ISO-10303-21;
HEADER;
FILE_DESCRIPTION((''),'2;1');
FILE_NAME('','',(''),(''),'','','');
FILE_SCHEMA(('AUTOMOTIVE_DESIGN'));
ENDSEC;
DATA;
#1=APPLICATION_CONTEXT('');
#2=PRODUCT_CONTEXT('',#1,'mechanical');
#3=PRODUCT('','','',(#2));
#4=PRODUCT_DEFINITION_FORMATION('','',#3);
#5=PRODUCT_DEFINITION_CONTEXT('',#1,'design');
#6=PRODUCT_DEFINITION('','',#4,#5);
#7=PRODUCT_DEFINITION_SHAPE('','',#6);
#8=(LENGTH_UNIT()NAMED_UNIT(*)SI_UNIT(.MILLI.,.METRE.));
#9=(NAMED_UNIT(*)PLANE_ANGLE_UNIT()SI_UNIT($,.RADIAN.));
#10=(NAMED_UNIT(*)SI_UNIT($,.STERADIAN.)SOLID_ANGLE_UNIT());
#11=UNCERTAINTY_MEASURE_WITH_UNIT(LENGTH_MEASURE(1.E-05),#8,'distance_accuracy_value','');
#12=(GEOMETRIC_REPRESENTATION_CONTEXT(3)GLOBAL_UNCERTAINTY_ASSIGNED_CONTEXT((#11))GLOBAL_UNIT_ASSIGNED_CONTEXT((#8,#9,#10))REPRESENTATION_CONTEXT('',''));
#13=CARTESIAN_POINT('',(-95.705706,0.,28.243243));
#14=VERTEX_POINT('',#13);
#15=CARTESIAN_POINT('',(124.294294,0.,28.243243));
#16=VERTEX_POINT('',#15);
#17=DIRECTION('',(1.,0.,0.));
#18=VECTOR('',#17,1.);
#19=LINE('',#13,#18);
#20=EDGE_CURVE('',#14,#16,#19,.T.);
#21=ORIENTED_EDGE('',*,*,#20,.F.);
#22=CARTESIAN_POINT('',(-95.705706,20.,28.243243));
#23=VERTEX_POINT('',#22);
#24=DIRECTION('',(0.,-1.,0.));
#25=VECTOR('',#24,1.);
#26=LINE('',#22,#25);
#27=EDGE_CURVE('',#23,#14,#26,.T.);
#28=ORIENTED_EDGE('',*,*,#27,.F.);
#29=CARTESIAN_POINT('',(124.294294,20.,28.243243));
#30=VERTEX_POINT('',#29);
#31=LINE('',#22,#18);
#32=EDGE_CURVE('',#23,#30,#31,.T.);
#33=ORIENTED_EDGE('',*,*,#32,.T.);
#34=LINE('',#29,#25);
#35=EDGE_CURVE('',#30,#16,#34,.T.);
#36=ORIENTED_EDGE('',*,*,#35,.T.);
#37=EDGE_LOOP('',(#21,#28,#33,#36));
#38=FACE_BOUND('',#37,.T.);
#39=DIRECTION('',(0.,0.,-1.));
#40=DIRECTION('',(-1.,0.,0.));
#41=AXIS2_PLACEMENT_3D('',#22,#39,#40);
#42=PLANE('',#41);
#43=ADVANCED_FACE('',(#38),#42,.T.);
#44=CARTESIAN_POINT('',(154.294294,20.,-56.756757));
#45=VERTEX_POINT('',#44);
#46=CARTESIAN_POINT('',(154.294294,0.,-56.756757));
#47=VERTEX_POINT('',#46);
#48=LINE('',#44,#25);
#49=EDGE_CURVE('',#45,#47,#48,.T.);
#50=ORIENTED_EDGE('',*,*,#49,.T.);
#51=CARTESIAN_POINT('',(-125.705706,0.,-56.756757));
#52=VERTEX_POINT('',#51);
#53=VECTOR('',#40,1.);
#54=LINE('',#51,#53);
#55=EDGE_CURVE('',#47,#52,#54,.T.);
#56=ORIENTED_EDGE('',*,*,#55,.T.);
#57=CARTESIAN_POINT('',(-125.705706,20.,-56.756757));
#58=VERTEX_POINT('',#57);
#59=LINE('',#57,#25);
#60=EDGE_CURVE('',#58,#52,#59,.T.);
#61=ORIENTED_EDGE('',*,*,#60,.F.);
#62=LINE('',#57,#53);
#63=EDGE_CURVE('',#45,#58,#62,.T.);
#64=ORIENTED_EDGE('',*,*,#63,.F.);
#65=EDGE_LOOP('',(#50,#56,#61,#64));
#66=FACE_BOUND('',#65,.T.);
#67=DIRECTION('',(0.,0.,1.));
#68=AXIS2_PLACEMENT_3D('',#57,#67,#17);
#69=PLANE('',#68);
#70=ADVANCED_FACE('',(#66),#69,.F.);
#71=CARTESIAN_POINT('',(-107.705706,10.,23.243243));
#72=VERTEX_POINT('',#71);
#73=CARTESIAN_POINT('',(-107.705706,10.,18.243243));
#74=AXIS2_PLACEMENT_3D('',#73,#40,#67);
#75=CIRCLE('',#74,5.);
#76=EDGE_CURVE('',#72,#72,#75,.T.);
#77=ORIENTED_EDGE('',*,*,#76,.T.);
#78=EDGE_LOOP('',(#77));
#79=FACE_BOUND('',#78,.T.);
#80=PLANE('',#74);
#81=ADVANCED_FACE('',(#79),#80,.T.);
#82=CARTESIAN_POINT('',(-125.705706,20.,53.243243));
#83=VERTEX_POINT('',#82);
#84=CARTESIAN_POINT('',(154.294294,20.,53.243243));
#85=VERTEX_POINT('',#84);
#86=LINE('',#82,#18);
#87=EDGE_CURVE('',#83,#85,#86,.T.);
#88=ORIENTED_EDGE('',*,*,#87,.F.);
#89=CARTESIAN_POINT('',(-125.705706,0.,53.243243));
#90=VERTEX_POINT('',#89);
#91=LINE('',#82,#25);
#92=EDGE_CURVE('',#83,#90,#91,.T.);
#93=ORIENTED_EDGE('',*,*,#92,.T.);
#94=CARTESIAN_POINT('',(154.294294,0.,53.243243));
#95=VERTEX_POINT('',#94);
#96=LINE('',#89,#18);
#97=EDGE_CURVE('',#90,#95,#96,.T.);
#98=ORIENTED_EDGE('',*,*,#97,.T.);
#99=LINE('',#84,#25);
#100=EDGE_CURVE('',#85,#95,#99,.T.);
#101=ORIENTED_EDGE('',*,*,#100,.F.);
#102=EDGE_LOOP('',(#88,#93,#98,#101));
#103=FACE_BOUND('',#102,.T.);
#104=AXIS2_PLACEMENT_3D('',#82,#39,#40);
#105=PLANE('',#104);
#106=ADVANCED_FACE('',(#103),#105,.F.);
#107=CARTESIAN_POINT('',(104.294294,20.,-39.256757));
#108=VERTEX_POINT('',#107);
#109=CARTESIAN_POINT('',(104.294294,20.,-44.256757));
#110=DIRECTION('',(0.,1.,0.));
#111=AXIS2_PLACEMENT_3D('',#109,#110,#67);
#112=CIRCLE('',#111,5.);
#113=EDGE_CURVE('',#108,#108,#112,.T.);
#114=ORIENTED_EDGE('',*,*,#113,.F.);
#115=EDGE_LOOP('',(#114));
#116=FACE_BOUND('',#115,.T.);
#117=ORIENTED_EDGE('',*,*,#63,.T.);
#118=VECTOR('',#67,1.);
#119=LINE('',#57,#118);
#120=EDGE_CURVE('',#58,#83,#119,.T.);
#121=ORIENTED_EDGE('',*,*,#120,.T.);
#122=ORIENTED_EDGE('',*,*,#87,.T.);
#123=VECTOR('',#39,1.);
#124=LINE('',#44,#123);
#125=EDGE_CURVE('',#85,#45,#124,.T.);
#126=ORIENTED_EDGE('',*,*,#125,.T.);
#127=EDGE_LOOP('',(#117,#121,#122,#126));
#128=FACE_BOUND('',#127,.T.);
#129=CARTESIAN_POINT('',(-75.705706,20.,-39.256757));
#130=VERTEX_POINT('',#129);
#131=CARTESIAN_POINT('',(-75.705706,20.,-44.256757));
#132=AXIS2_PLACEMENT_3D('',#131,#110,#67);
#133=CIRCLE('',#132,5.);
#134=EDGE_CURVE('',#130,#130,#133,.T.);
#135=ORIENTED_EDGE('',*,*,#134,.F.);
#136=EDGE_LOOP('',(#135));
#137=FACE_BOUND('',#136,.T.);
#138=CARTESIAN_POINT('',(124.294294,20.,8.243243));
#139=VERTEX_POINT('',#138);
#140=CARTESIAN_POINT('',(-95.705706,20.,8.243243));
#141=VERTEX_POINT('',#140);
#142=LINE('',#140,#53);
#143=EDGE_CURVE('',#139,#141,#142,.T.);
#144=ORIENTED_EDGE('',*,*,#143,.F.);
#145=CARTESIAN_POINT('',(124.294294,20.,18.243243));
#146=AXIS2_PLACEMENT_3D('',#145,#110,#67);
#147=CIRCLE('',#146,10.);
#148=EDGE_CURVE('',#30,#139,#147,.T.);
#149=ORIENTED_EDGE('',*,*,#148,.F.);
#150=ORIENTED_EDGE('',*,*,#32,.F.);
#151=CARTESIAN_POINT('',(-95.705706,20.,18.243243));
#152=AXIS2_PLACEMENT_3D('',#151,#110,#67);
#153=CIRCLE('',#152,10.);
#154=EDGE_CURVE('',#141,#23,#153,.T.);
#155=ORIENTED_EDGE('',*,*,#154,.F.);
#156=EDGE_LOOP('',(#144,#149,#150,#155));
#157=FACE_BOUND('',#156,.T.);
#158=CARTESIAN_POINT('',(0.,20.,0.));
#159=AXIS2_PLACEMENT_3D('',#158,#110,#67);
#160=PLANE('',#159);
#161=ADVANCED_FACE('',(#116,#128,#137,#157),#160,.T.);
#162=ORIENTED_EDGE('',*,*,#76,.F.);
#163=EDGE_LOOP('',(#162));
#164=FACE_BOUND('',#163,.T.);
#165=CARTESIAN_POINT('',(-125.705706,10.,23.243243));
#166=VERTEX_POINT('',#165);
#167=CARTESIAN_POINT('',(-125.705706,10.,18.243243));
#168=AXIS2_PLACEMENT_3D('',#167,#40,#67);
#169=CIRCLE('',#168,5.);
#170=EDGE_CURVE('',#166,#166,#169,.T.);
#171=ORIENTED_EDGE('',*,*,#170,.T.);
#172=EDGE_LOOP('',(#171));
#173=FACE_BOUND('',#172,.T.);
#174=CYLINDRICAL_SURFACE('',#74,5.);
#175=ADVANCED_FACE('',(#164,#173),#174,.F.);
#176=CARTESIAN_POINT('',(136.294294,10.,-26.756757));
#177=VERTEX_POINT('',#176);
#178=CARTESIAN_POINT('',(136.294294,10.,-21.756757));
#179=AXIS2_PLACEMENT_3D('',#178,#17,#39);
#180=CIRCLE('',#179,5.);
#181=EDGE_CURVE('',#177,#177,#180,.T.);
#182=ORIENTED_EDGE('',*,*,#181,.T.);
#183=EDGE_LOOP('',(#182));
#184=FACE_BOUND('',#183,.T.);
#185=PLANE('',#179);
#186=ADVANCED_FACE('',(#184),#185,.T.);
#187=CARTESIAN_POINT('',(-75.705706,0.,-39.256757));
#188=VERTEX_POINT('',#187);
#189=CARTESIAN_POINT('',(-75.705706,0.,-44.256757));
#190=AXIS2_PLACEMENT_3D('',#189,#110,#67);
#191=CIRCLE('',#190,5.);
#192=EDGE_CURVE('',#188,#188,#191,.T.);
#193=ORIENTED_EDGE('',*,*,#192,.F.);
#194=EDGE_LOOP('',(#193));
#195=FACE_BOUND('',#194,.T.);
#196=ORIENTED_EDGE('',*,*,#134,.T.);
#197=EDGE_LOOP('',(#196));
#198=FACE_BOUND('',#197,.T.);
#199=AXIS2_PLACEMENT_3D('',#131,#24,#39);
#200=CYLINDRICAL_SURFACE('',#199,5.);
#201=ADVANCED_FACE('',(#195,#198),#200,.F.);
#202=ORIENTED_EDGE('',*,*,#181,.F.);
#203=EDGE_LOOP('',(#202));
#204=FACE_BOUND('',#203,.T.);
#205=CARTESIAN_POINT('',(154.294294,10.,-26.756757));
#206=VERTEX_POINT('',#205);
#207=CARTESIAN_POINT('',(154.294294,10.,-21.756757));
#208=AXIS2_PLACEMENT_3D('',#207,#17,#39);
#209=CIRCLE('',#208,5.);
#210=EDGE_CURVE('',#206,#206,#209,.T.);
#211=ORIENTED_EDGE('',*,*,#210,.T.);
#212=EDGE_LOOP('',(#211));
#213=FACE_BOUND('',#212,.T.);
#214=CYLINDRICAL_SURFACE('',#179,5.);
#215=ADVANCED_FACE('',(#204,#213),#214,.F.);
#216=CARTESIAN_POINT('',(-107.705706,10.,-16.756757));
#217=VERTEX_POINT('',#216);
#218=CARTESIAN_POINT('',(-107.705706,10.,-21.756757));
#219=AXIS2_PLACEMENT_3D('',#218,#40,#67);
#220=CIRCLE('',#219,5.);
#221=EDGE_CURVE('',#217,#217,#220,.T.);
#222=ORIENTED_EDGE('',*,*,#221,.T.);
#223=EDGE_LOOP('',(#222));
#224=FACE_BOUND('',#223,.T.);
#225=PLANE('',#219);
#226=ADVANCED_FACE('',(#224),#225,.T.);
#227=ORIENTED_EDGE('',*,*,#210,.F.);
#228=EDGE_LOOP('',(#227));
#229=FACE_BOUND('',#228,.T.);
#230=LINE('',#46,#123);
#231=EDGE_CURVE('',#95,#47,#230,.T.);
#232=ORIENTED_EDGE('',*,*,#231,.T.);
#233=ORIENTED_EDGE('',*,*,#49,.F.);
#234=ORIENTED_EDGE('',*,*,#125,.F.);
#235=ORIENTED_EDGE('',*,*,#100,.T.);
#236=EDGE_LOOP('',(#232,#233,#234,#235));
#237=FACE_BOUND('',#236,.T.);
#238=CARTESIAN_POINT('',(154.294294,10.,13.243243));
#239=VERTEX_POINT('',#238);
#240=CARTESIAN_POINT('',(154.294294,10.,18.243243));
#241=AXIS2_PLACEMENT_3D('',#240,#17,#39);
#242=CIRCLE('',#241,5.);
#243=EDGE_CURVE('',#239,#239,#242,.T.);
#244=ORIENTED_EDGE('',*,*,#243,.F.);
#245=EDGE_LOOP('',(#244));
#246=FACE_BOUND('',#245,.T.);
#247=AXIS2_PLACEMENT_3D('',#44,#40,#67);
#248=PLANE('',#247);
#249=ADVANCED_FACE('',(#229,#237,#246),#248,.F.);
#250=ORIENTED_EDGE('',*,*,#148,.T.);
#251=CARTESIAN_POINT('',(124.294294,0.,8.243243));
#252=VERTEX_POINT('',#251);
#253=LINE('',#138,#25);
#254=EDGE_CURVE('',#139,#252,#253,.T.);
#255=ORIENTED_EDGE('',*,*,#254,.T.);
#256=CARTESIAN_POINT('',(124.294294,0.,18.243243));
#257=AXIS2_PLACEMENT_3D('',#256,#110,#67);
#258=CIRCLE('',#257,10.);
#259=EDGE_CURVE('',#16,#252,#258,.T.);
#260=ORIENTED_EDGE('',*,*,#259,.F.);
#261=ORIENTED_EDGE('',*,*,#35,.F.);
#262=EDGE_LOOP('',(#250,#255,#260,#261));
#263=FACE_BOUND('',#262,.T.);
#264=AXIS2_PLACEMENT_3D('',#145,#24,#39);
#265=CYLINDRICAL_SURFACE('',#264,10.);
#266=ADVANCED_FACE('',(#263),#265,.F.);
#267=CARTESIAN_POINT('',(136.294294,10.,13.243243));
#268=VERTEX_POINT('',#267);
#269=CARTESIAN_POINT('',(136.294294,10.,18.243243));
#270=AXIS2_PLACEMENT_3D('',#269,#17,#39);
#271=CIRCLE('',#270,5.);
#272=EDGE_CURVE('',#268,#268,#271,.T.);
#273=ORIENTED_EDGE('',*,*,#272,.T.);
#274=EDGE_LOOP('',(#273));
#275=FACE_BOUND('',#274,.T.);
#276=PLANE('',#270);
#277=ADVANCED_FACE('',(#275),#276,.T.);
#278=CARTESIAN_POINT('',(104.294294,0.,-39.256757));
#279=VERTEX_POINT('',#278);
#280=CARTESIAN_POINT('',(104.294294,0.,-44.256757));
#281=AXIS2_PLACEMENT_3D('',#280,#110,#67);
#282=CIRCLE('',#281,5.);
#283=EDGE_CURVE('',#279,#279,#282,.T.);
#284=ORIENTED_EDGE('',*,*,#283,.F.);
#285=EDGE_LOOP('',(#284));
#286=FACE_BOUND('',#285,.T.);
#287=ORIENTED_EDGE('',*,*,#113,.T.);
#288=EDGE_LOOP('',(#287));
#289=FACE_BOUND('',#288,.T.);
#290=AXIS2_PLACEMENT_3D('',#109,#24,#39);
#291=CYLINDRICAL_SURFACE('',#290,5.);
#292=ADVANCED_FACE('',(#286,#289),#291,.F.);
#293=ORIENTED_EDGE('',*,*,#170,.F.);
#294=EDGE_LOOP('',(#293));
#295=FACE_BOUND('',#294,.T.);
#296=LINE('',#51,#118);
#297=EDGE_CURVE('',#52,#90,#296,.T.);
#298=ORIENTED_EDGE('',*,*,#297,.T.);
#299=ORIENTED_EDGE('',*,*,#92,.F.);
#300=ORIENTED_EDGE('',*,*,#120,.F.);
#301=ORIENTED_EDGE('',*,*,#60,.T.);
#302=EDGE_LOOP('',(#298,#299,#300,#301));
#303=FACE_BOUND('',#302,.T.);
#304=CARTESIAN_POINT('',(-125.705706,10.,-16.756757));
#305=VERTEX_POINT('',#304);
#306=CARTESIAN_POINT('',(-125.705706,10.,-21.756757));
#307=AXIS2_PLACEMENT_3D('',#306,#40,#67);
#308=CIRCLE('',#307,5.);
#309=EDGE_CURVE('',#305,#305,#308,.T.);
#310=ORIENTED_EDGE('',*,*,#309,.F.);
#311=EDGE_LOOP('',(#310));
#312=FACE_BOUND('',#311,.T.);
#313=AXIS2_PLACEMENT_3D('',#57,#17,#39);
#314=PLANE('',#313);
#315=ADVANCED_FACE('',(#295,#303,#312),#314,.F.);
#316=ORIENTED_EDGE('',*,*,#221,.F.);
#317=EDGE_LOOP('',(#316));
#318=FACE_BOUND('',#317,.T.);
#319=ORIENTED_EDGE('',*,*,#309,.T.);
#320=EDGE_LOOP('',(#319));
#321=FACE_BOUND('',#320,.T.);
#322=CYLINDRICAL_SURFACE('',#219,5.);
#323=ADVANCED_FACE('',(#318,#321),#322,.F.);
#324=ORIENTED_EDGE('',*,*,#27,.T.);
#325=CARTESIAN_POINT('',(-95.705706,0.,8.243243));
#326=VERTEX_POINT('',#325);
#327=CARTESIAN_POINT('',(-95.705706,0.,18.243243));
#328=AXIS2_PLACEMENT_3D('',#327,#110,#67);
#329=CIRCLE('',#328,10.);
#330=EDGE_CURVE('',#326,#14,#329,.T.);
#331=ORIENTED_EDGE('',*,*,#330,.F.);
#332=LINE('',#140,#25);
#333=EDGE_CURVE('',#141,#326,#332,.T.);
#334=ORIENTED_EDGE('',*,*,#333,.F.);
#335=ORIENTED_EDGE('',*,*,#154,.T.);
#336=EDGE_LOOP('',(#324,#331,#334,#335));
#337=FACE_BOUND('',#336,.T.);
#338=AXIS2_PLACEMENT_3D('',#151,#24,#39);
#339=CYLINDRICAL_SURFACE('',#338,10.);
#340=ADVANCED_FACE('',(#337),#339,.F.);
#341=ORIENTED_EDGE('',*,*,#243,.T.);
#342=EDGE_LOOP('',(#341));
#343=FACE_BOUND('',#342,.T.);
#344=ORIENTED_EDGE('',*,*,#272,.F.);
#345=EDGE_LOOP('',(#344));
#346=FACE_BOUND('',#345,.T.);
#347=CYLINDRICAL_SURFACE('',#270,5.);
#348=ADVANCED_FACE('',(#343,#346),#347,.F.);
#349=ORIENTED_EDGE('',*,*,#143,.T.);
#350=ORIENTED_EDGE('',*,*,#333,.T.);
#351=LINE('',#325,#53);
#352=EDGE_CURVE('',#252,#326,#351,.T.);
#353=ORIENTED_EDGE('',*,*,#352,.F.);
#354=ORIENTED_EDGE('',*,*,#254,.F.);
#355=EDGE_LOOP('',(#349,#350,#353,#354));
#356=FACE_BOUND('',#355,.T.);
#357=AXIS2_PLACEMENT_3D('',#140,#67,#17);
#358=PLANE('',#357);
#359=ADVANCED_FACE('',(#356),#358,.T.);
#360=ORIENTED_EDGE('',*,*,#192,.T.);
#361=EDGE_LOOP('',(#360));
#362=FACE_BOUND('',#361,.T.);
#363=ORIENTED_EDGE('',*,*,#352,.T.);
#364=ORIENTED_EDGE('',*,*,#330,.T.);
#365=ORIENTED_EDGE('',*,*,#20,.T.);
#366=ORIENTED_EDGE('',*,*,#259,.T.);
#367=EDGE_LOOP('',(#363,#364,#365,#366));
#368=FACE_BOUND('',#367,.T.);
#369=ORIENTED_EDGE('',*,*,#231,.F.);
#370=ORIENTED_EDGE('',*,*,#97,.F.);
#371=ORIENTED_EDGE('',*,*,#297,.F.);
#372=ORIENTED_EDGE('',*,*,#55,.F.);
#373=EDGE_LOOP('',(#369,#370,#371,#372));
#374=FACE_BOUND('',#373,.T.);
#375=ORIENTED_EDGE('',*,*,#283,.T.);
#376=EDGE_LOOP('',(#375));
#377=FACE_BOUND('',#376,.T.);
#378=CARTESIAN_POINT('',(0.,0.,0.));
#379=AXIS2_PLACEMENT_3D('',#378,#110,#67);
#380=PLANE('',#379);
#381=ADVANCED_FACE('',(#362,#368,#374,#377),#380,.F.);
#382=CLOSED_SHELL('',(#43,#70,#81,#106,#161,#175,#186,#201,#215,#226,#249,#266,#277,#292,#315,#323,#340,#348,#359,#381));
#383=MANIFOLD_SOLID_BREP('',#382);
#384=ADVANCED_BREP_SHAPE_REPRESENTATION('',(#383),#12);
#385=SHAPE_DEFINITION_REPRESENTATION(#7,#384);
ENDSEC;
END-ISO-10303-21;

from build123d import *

# Parameters (mm, degrees)
CROQUIS1_W              = 280
CROQUIS1_H              = 110
SALIENTE_EXTRUIR1_DEPTH = 20
CORTAR_EXTRUIR2_DEPTH   = 20
CROQUIS4_R              = 5
CORTAR_EXTRUIR4_DEPTH   = 20
CROQUIS5_R              = 5
CORTAR_EXTRUIR5_DEPTH   = 18
CROQUIS6_R              = 5
CORTAR_EXTRUIR6_DEPTH   = 18


with BuildPart() as part:
    # Croquis1 → Saliente-Extruir1 (new body)
    with BuildSketch(Plane(origin=(0, 0, 0), x_dir=(1, 0, 0), z_dir=(0, 1, 0))):
        with Locations((14.294294294, 1.756756757)):
            Rectangle(CROQUIS1_W, CROQUIS1_H)
    extrude(amount=SALIENTE_EXTRUIR1_DEPTH)

    # Croquis2 → Cortar-Extruir2 (cut)
    with BuildSketch(Plane(origin=(0, 0, 0), x_dir=(1, 0, 0), z_dir=(0, 1, 0))):
        with BuildLine():
            Line((-95.705705706, -8.243243243), (124.294294294, -8.243243243))
            ThreePointArc((124.294294294, -8.243243243), (134.294294294, -18.243243243), (124.294294294, -28.243243243))
            Line((124.294294294, -28.243243243), (-95.705705706, -28.243243243))
            ThreePointArc((-95.705705706, -28.243243243), (-105.705705706, -18.243243243), (-95.705705706, -8.243243243))
        make_face()
    extrude(amount=CORTAR_EXTRUIR2_DEPTH, mode=Mode.SUBTRACT)

    # Croquis4 → Cortar-Extruir4 (cut)
    with BuildSketch(Plane(origin=(0, 0, 0), x_dir=(1, 0, 0), z_dir=(0, 1, 0))):
        with Locations((104.294294294, 44.256756757)):
            Circle(CROQUIS4_R)
        with Locations((-75.705705706, 44.256756757)):
            Circle(CROQUIS4_R)
    extrude(amount=CORTAR_EXTRUIR4_DEPTH, mode=Mode.SUBTRACT)

    # Croquis5 → Cortar-Extruir5 (cut)
    with BuildSketch(Plane.ZY.offset(125.705705706)):
        with Locations((18.243243243, 10)):
            Circle(CROQUIS5_R)
        with Locations((-21.756756757, 10)):
            Circle(CROQUIS5_R)
    extrude(amount=-CORTAR_EXTRUIR5_DEPTH, mode=Mode.SUBTRACT)

    # Croquis6 → Cortar-Extruir6 (cut)
    with BuildSketch(Plane(origin=(154.294294294, 0, 0), x_dir=(0, 0, -1), z_dir=(1, 0, 0))):
        with Locations((21.756756757, 10)):
            Circle(CROQUIS6_R)
        with Locations((-18.243243243, 10)):
            Circle(CROQUIS6_R)
    extrude(amount=-CORTAR_EXTRUIR6_DEPTH, mode=Mode.SUBTRACT)


solid = part.part
